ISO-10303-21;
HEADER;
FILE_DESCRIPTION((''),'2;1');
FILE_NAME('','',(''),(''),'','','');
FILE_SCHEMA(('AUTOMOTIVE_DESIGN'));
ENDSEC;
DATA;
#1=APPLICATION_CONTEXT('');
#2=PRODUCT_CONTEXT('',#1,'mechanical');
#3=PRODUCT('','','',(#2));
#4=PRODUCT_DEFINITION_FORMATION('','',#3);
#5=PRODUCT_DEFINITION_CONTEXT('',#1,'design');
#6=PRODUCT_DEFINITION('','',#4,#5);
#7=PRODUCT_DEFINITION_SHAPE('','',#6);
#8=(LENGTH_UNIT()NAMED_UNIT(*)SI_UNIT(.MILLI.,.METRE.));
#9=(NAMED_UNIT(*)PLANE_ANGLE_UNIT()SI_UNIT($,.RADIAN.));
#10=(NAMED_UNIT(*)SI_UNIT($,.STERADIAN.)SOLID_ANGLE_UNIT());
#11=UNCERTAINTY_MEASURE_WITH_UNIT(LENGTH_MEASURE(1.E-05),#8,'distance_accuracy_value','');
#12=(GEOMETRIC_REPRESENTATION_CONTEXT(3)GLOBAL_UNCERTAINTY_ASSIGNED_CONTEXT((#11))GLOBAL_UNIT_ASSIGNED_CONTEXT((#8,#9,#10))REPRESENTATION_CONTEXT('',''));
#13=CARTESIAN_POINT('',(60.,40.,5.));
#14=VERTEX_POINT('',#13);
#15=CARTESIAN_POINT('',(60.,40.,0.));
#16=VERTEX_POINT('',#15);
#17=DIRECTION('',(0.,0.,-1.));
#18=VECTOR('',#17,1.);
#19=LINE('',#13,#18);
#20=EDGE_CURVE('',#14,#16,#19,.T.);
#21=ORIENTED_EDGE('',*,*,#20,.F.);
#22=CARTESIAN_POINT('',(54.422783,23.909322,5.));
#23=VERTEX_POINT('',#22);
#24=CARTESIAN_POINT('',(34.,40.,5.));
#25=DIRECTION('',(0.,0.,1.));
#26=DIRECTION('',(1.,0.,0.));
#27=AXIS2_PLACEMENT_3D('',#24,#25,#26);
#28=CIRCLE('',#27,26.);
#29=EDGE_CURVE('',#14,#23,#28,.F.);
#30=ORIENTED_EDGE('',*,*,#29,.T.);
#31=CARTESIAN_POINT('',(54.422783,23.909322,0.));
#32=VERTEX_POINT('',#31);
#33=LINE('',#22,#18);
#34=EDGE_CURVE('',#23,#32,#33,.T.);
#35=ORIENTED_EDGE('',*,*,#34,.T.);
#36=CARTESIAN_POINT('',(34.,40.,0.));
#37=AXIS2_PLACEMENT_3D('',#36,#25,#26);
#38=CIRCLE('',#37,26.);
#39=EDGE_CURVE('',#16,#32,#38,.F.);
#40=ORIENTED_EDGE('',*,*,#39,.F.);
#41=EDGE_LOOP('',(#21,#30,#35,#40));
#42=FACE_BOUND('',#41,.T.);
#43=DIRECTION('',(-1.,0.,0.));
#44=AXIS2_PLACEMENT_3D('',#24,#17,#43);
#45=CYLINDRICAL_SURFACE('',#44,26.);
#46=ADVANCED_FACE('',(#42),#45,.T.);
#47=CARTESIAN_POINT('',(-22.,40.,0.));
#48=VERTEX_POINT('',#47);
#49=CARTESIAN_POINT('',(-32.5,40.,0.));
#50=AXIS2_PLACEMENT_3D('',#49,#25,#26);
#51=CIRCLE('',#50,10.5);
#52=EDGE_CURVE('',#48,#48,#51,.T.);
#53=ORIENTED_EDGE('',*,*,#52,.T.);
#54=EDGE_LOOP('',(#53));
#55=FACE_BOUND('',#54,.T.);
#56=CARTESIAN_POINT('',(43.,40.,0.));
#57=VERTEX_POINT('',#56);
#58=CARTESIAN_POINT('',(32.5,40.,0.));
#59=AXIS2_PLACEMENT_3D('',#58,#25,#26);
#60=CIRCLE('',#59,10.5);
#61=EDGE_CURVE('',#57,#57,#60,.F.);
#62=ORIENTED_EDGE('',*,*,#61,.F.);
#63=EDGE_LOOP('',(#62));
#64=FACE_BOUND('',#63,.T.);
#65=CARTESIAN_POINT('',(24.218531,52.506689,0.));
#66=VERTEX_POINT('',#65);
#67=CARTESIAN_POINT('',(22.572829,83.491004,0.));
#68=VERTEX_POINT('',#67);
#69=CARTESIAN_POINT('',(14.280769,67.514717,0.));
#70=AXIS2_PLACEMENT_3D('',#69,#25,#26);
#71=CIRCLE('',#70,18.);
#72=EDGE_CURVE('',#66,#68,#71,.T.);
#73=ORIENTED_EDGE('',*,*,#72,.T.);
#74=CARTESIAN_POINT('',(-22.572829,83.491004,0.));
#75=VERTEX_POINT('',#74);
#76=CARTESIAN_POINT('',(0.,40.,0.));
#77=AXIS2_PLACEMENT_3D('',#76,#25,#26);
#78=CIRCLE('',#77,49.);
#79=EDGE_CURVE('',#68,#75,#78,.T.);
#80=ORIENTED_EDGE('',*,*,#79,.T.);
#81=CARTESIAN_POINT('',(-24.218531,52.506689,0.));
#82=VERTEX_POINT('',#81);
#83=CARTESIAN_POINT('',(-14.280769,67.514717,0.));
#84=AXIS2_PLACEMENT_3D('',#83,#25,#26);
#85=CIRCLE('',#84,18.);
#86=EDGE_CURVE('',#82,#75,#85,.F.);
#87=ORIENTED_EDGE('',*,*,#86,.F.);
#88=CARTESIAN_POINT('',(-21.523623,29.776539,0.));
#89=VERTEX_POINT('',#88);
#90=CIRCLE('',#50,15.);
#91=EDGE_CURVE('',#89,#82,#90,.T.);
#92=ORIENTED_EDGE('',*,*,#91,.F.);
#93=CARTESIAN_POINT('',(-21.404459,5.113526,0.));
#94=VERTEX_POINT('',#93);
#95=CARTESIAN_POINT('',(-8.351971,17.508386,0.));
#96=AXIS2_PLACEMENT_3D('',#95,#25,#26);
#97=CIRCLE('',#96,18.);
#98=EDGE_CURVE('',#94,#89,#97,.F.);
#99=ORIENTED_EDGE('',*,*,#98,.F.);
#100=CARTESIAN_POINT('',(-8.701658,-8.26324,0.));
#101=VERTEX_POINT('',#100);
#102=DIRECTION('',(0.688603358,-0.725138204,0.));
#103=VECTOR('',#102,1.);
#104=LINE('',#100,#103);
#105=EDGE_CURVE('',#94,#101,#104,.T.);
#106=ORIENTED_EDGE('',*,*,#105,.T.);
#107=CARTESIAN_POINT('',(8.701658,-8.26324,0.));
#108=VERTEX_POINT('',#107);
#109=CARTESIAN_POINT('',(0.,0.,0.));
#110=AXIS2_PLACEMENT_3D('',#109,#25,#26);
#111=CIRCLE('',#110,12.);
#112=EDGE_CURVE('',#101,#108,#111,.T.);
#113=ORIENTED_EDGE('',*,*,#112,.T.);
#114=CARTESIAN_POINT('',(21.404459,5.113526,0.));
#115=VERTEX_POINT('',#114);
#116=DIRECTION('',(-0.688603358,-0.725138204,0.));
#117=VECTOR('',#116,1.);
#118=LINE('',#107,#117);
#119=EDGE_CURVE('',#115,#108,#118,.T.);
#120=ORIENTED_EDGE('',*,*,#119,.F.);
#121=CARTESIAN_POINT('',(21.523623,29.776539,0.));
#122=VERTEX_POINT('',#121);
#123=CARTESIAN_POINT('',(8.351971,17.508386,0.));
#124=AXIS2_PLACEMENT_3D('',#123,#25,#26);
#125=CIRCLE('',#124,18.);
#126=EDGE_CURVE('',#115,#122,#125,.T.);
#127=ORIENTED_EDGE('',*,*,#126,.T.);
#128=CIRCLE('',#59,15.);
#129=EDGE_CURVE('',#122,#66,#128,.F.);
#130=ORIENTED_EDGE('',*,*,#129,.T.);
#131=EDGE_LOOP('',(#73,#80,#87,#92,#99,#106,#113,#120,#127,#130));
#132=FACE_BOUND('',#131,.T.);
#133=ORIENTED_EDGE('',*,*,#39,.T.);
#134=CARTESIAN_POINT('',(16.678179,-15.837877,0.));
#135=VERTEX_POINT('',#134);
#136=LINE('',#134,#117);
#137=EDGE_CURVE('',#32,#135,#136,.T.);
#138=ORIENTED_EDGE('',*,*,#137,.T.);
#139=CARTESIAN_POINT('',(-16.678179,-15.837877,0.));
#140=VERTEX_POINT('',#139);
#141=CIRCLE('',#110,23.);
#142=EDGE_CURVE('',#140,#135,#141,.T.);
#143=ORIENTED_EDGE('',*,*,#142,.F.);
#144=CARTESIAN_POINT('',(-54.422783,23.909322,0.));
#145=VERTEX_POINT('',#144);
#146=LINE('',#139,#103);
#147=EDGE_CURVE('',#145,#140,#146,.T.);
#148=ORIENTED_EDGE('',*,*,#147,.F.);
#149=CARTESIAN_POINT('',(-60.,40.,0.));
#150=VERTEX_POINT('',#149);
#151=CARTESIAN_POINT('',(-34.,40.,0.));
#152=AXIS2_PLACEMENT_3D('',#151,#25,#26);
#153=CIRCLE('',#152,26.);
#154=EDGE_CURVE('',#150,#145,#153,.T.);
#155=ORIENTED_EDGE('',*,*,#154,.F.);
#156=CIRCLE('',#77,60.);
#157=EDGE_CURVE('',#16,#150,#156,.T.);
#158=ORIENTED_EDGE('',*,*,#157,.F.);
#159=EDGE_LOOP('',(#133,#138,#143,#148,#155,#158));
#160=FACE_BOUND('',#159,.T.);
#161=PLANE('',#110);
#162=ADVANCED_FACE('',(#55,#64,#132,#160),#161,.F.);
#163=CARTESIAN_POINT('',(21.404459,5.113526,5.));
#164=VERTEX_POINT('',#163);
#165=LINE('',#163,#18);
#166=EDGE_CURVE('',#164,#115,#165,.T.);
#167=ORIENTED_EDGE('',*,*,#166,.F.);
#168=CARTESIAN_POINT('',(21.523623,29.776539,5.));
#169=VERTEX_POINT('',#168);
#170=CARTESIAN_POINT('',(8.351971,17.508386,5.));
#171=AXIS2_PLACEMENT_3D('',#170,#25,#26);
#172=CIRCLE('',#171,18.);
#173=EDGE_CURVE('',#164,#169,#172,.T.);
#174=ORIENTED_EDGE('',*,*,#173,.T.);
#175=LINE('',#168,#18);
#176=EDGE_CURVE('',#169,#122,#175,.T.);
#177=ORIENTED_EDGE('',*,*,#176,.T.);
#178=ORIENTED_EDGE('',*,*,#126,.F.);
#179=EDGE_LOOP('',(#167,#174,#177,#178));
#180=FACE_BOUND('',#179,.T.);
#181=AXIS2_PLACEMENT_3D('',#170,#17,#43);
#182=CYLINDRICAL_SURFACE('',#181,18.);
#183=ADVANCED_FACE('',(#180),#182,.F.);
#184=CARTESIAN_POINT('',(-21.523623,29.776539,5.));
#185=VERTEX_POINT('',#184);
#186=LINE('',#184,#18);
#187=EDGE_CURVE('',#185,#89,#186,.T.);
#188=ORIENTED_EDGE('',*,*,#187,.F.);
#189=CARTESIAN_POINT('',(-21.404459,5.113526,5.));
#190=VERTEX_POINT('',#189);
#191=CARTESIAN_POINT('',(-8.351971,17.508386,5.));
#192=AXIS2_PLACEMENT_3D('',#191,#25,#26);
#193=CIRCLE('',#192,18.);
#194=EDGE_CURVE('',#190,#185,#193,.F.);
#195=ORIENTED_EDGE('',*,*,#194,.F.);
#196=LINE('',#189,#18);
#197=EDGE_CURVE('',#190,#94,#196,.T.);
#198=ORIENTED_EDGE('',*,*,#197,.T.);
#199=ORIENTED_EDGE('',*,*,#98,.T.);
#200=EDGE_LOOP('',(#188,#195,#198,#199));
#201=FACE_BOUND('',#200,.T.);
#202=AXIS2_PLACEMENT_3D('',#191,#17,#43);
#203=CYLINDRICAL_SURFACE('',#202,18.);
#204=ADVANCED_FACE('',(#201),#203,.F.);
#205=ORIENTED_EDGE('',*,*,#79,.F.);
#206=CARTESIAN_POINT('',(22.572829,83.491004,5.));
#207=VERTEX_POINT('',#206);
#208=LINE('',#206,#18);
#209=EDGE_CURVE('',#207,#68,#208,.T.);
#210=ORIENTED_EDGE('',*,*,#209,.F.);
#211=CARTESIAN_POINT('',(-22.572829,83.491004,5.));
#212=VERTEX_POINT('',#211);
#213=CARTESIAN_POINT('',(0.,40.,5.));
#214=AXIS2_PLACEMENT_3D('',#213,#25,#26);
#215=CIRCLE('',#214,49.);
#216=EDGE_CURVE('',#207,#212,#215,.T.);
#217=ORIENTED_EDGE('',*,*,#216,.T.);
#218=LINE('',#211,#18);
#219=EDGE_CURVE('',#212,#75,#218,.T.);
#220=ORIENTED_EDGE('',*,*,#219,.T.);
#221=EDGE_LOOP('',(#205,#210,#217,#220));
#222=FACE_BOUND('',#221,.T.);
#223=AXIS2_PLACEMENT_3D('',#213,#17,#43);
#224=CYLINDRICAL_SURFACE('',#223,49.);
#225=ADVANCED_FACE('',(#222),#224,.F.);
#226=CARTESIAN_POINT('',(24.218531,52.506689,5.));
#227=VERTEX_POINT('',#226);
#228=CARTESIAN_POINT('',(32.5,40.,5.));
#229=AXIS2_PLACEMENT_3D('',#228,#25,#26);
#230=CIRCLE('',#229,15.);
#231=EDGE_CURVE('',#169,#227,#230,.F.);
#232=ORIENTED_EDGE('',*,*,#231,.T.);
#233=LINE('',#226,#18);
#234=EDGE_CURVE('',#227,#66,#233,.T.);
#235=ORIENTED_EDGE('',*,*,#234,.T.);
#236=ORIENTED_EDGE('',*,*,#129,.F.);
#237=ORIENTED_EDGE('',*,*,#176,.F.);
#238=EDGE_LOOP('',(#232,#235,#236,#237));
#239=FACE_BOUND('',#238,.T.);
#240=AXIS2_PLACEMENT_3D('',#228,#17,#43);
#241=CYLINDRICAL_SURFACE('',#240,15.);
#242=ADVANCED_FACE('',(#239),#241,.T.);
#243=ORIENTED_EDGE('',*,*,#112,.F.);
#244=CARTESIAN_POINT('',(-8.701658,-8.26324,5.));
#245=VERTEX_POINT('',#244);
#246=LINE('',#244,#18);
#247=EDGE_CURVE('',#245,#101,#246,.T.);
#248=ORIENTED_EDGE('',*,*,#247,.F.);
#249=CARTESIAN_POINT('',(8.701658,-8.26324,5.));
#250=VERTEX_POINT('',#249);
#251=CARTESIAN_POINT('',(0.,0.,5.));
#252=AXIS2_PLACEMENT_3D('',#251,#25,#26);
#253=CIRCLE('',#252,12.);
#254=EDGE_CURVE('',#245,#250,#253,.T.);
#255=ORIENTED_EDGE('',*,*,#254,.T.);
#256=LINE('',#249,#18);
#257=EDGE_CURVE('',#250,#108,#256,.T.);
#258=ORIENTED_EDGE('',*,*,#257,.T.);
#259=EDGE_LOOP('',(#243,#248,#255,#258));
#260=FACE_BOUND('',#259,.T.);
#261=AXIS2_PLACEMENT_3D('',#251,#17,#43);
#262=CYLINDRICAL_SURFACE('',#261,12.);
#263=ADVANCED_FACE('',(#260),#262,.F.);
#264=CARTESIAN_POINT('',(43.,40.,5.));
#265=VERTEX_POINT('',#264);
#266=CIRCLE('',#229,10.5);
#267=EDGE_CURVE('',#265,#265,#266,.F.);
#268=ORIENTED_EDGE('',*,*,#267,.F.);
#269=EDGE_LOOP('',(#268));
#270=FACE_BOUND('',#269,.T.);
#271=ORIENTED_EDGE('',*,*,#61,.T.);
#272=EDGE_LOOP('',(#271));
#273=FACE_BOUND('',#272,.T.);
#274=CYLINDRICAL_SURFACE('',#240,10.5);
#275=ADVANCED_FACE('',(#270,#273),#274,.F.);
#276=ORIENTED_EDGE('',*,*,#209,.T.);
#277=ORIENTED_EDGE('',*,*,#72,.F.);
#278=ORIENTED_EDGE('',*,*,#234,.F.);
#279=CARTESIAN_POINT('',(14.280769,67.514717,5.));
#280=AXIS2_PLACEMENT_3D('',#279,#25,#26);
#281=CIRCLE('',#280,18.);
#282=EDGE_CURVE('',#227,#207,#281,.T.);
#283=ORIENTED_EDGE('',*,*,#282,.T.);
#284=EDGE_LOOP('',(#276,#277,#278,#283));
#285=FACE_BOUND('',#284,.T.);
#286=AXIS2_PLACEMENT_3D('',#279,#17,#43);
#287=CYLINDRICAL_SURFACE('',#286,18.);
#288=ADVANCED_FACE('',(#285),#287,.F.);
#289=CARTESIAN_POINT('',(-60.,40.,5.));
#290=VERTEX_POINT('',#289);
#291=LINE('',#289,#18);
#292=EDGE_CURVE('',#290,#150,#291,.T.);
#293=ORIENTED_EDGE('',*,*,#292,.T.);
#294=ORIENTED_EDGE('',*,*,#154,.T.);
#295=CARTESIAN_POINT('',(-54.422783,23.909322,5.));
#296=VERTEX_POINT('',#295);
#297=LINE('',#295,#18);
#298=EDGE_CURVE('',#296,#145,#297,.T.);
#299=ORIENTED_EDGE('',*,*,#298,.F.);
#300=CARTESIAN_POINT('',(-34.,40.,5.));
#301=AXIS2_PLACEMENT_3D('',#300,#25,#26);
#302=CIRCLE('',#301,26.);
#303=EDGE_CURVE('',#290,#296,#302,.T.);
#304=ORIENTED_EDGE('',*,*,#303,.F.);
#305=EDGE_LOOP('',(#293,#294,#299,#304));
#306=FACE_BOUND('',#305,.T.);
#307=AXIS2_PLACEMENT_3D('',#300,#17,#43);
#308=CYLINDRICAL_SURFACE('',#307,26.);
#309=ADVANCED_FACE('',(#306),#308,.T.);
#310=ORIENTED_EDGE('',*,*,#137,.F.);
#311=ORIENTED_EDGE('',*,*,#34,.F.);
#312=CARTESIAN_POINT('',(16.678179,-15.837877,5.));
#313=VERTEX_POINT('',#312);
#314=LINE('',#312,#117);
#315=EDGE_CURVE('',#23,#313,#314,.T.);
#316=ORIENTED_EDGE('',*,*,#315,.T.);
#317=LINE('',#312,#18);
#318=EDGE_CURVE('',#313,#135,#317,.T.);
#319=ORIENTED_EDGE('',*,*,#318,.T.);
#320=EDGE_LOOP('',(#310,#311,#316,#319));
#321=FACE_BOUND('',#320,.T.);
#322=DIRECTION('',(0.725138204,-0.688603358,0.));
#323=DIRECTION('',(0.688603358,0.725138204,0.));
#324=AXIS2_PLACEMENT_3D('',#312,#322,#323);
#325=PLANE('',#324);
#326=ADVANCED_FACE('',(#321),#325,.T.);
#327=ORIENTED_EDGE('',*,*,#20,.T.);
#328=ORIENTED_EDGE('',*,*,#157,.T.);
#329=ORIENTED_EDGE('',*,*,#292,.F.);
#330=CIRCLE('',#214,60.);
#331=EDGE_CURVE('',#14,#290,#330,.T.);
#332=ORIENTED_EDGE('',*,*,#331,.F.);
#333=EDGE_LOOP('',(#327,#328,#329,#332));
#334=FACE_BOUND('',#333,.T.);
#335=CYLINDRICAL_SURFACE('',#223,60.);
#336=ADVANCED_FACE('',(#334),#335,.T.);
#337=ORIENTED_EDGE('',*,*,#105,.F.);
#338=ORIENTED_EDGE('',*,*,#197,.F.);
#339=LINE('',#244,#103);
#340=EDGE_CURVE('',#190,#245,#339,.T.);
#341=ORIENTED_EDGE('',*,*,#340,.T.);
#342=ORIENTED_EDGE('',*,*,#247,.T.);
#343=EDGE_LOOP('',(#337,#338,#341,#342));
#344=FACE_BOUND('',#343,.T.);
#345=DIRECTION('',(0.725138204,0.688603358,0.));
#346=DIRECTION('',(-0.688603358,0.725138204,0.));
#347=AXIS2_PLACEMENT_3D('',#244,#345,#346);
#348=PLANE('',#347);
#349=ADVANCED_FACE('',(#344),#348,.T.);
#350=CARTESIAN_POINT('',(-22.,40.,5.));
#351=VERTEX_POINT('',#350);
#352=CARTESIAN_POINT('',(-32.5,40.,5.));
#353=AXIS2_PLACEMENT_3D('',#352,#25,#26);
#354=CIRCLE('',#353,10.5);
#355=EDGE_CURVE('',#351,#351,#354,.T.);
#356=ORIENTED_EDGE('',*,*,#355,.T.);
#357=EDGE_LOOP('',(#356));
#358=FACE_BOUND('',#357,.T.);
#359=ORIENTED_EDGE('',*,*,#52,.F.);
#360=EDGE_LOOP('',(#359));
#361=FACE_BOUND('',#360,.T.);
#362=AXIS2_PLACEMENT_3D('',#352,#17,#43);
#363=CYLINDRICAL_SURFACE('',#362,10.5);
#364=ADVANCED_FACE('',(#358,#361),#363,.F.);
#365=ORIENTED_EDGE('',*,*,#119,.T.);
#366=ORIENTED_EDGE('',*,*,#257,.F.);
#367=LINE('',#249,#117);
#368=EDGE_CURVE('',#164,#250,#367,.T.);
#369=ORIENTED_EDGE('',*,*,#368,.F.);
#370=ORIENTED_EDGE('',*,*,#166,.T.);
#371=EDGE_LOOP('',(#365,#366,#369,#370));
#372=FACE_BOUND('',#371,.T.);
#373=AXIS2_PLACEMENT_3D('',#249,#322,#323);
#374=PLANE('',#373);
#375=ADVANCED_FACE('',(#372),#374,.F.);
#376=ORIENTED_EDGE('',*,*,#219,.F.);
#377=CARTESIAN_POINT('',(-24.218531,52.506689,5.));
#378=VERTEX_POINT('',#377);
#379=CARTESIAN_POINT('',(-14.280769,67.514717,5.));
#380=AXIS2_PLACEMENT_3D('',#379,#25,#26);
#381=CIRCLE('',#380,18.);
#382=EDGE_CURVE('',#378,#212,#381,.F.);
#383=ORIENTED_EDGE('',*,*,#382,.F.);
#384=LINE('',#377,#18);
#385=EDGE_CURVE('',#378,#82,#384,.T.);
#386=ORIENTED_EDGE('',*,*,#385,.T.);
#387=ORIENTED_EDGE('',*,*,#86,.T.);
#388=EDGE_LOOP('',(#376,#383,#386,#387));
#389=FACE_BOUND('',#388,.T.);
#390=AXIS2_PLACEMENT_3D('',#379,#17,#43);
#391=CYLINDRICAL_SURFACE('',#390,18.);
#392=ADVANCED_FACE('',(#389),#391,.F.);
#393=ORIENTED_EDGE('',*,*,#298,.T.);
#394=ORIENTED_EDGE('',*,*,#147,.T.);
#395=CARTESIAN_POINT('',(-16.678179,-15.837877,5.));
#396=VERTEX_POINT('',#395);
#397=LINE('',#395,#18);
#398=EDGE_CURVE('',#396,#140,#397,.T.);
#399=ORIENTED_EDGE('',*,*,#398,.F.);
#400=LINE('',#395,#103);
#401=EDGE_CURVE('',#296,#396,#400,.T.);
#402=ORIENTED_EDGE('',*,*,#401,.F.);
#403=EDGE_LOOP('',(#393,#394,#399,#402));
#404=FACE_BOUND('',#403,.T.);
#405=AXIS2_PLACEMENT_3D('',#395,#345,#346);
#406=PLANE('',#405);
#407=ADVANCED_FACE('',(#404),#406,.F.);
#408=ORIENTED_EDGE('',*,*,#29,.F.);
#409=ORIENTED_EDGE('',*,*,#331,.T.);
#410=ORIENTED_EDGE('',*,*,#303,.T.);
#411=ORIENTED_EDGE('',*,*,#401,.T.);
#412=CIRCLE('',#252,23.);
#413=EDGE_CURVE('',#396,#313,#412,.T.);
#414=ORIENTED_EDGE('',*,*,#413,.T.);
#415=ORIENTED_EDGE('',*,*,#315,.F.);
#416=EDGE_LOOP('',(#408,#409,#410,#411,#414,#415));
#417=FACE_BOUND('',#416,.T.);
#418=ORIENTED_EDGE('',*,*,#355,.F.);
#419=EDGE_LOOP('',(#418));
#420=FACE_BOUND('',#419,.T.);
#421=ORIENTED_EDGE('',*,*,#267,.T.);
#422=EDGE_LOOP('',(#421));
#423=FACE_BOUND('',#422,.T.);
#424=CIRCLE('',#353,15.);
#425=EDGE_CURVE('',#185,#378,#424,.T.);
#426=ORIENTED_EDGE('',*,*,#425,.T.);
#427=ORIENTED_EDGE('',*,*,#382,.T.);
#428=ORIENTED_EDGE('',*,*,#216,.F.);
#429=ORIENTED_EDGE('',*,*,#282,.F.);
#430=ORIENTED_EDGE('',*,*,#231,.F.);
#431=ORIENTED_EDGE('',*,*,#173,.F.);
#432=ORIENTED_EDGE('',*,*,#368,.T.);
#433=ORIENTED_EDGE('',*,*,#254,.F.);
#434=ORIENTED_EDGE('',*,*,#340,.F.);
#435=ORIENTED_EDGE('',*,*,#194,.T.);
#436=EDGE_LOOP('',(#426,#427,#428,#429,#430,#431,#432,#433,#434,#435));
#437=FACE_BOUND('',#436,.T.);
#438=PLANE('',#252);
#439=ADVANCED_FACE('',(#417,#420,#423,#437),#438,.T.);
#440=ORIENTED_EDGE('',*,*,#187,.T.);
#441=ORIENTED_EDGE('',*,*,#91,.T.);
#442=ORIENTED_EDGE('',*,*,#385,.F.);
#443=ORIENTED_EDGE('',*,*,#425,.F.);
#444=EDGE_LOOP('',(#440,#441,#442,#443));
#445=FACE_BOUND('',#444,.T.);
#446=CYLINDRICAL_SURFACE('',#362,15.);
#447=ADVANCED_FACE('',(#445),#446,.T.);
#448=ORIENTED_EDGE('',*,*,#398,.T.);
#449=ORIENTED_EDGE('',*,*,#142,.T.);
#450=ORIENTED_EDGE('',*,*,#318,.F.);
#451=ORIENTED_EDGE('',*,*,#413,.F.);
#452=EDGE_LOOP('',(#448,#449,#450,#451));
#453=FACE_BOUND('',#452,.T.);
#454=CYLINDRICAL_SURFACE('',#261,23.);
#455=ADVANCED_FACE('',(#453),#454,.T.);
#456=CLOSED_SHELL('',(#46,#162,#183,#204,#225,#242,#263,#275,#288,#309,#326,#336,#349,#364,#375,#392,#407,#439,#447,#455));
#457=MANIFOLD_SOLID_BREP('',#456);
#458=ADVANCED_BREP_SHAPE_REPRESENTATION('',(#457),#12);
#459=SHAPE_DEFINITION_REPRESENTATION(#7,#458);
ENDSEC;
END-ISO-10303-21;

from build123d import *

# Parameters (mm, degrees)
SKETCH1_R           = 10.5
BOSS_EXTRUDE1_DEPTH = 5


with BuildPart() as part:
    # Sketch1 → Boss-Extrude1 (new body)
    with BuildSketch(Plane.XY):
        with BuildLine():
            ThreePointArc((-60, 40), (-58.56615935, 31.485082808), (-54.422783478, 23.909322108))
            Line((-54.422783478, 23.909322108), (-16.678178701, -15.837877232))
            ThreePointArc((-16.678178701, -15.837877232), (0, -23), (16.678178701, -15.837877232))
            Line((16.678178701, -15.837877232), (54.422783478, 23.909322108))
            ThreePointArc((54.422783478, 23.909322108), (58.56615935, 31.485082808), (60, 40))
            ThreePointArc((60, 40), (0, 100), (-60, 40))
        make_face()
        with Locations((-32.5, 40)):
            Circle(SKETCH1_R, mode=Mode.SUBTRACT)
        with BuildLine():
            Line((-8.701658453, -8.263240295), (-21.404458824, 5.113525511))
            ThreePointArc((-21.404458824, 5.113525511), (-26.35176104, 17.421416266), (-21.523623248, 29.77653907))
            ThreePointArc((-21.523623248, 29.77653907), (-17.604326655, 41.766045188), (-24.218531469, 52.506689369))
            ThreePointArc((-24.218531469, 52.506689369), (-32.255432897, 68.469423949), (-22.572828784, 83.491003675))
            ThreePointArc((-22.572828784, 83.491003675), (0, 89), (22.572828784, 83.491003675))
            ThreePointArc((22.572828784, 83.491003675), (32.255432897, 68.469423949), (24.218531469, 52.506689369))
            ThreePointArc((24.218531469, 52.506689369), (17.604326655, 41.766045188), (21.523623248, 29.77653907))
            ThreePointArc((21.523623248, 29.77653907), (26.35176104, 17.421416266), (21.404458824, 5.113525511))
            Line((21.404458824, 5.113525511), (8.701658453, -8.263240295))
            ThreePointArc((8.701658453, -8.263240295), (0, -12), (-8.701658453, -8.263240295))
        make_face(mode=Mode.SUBTRACT)
        with Locations((32.5, 40)):
            Circle(SKETCH1_R, mode=Mode.SUBTRACT)
    extrude(amount=BOSS_EXTRUDE1_DEPTH)


solid = part.part
